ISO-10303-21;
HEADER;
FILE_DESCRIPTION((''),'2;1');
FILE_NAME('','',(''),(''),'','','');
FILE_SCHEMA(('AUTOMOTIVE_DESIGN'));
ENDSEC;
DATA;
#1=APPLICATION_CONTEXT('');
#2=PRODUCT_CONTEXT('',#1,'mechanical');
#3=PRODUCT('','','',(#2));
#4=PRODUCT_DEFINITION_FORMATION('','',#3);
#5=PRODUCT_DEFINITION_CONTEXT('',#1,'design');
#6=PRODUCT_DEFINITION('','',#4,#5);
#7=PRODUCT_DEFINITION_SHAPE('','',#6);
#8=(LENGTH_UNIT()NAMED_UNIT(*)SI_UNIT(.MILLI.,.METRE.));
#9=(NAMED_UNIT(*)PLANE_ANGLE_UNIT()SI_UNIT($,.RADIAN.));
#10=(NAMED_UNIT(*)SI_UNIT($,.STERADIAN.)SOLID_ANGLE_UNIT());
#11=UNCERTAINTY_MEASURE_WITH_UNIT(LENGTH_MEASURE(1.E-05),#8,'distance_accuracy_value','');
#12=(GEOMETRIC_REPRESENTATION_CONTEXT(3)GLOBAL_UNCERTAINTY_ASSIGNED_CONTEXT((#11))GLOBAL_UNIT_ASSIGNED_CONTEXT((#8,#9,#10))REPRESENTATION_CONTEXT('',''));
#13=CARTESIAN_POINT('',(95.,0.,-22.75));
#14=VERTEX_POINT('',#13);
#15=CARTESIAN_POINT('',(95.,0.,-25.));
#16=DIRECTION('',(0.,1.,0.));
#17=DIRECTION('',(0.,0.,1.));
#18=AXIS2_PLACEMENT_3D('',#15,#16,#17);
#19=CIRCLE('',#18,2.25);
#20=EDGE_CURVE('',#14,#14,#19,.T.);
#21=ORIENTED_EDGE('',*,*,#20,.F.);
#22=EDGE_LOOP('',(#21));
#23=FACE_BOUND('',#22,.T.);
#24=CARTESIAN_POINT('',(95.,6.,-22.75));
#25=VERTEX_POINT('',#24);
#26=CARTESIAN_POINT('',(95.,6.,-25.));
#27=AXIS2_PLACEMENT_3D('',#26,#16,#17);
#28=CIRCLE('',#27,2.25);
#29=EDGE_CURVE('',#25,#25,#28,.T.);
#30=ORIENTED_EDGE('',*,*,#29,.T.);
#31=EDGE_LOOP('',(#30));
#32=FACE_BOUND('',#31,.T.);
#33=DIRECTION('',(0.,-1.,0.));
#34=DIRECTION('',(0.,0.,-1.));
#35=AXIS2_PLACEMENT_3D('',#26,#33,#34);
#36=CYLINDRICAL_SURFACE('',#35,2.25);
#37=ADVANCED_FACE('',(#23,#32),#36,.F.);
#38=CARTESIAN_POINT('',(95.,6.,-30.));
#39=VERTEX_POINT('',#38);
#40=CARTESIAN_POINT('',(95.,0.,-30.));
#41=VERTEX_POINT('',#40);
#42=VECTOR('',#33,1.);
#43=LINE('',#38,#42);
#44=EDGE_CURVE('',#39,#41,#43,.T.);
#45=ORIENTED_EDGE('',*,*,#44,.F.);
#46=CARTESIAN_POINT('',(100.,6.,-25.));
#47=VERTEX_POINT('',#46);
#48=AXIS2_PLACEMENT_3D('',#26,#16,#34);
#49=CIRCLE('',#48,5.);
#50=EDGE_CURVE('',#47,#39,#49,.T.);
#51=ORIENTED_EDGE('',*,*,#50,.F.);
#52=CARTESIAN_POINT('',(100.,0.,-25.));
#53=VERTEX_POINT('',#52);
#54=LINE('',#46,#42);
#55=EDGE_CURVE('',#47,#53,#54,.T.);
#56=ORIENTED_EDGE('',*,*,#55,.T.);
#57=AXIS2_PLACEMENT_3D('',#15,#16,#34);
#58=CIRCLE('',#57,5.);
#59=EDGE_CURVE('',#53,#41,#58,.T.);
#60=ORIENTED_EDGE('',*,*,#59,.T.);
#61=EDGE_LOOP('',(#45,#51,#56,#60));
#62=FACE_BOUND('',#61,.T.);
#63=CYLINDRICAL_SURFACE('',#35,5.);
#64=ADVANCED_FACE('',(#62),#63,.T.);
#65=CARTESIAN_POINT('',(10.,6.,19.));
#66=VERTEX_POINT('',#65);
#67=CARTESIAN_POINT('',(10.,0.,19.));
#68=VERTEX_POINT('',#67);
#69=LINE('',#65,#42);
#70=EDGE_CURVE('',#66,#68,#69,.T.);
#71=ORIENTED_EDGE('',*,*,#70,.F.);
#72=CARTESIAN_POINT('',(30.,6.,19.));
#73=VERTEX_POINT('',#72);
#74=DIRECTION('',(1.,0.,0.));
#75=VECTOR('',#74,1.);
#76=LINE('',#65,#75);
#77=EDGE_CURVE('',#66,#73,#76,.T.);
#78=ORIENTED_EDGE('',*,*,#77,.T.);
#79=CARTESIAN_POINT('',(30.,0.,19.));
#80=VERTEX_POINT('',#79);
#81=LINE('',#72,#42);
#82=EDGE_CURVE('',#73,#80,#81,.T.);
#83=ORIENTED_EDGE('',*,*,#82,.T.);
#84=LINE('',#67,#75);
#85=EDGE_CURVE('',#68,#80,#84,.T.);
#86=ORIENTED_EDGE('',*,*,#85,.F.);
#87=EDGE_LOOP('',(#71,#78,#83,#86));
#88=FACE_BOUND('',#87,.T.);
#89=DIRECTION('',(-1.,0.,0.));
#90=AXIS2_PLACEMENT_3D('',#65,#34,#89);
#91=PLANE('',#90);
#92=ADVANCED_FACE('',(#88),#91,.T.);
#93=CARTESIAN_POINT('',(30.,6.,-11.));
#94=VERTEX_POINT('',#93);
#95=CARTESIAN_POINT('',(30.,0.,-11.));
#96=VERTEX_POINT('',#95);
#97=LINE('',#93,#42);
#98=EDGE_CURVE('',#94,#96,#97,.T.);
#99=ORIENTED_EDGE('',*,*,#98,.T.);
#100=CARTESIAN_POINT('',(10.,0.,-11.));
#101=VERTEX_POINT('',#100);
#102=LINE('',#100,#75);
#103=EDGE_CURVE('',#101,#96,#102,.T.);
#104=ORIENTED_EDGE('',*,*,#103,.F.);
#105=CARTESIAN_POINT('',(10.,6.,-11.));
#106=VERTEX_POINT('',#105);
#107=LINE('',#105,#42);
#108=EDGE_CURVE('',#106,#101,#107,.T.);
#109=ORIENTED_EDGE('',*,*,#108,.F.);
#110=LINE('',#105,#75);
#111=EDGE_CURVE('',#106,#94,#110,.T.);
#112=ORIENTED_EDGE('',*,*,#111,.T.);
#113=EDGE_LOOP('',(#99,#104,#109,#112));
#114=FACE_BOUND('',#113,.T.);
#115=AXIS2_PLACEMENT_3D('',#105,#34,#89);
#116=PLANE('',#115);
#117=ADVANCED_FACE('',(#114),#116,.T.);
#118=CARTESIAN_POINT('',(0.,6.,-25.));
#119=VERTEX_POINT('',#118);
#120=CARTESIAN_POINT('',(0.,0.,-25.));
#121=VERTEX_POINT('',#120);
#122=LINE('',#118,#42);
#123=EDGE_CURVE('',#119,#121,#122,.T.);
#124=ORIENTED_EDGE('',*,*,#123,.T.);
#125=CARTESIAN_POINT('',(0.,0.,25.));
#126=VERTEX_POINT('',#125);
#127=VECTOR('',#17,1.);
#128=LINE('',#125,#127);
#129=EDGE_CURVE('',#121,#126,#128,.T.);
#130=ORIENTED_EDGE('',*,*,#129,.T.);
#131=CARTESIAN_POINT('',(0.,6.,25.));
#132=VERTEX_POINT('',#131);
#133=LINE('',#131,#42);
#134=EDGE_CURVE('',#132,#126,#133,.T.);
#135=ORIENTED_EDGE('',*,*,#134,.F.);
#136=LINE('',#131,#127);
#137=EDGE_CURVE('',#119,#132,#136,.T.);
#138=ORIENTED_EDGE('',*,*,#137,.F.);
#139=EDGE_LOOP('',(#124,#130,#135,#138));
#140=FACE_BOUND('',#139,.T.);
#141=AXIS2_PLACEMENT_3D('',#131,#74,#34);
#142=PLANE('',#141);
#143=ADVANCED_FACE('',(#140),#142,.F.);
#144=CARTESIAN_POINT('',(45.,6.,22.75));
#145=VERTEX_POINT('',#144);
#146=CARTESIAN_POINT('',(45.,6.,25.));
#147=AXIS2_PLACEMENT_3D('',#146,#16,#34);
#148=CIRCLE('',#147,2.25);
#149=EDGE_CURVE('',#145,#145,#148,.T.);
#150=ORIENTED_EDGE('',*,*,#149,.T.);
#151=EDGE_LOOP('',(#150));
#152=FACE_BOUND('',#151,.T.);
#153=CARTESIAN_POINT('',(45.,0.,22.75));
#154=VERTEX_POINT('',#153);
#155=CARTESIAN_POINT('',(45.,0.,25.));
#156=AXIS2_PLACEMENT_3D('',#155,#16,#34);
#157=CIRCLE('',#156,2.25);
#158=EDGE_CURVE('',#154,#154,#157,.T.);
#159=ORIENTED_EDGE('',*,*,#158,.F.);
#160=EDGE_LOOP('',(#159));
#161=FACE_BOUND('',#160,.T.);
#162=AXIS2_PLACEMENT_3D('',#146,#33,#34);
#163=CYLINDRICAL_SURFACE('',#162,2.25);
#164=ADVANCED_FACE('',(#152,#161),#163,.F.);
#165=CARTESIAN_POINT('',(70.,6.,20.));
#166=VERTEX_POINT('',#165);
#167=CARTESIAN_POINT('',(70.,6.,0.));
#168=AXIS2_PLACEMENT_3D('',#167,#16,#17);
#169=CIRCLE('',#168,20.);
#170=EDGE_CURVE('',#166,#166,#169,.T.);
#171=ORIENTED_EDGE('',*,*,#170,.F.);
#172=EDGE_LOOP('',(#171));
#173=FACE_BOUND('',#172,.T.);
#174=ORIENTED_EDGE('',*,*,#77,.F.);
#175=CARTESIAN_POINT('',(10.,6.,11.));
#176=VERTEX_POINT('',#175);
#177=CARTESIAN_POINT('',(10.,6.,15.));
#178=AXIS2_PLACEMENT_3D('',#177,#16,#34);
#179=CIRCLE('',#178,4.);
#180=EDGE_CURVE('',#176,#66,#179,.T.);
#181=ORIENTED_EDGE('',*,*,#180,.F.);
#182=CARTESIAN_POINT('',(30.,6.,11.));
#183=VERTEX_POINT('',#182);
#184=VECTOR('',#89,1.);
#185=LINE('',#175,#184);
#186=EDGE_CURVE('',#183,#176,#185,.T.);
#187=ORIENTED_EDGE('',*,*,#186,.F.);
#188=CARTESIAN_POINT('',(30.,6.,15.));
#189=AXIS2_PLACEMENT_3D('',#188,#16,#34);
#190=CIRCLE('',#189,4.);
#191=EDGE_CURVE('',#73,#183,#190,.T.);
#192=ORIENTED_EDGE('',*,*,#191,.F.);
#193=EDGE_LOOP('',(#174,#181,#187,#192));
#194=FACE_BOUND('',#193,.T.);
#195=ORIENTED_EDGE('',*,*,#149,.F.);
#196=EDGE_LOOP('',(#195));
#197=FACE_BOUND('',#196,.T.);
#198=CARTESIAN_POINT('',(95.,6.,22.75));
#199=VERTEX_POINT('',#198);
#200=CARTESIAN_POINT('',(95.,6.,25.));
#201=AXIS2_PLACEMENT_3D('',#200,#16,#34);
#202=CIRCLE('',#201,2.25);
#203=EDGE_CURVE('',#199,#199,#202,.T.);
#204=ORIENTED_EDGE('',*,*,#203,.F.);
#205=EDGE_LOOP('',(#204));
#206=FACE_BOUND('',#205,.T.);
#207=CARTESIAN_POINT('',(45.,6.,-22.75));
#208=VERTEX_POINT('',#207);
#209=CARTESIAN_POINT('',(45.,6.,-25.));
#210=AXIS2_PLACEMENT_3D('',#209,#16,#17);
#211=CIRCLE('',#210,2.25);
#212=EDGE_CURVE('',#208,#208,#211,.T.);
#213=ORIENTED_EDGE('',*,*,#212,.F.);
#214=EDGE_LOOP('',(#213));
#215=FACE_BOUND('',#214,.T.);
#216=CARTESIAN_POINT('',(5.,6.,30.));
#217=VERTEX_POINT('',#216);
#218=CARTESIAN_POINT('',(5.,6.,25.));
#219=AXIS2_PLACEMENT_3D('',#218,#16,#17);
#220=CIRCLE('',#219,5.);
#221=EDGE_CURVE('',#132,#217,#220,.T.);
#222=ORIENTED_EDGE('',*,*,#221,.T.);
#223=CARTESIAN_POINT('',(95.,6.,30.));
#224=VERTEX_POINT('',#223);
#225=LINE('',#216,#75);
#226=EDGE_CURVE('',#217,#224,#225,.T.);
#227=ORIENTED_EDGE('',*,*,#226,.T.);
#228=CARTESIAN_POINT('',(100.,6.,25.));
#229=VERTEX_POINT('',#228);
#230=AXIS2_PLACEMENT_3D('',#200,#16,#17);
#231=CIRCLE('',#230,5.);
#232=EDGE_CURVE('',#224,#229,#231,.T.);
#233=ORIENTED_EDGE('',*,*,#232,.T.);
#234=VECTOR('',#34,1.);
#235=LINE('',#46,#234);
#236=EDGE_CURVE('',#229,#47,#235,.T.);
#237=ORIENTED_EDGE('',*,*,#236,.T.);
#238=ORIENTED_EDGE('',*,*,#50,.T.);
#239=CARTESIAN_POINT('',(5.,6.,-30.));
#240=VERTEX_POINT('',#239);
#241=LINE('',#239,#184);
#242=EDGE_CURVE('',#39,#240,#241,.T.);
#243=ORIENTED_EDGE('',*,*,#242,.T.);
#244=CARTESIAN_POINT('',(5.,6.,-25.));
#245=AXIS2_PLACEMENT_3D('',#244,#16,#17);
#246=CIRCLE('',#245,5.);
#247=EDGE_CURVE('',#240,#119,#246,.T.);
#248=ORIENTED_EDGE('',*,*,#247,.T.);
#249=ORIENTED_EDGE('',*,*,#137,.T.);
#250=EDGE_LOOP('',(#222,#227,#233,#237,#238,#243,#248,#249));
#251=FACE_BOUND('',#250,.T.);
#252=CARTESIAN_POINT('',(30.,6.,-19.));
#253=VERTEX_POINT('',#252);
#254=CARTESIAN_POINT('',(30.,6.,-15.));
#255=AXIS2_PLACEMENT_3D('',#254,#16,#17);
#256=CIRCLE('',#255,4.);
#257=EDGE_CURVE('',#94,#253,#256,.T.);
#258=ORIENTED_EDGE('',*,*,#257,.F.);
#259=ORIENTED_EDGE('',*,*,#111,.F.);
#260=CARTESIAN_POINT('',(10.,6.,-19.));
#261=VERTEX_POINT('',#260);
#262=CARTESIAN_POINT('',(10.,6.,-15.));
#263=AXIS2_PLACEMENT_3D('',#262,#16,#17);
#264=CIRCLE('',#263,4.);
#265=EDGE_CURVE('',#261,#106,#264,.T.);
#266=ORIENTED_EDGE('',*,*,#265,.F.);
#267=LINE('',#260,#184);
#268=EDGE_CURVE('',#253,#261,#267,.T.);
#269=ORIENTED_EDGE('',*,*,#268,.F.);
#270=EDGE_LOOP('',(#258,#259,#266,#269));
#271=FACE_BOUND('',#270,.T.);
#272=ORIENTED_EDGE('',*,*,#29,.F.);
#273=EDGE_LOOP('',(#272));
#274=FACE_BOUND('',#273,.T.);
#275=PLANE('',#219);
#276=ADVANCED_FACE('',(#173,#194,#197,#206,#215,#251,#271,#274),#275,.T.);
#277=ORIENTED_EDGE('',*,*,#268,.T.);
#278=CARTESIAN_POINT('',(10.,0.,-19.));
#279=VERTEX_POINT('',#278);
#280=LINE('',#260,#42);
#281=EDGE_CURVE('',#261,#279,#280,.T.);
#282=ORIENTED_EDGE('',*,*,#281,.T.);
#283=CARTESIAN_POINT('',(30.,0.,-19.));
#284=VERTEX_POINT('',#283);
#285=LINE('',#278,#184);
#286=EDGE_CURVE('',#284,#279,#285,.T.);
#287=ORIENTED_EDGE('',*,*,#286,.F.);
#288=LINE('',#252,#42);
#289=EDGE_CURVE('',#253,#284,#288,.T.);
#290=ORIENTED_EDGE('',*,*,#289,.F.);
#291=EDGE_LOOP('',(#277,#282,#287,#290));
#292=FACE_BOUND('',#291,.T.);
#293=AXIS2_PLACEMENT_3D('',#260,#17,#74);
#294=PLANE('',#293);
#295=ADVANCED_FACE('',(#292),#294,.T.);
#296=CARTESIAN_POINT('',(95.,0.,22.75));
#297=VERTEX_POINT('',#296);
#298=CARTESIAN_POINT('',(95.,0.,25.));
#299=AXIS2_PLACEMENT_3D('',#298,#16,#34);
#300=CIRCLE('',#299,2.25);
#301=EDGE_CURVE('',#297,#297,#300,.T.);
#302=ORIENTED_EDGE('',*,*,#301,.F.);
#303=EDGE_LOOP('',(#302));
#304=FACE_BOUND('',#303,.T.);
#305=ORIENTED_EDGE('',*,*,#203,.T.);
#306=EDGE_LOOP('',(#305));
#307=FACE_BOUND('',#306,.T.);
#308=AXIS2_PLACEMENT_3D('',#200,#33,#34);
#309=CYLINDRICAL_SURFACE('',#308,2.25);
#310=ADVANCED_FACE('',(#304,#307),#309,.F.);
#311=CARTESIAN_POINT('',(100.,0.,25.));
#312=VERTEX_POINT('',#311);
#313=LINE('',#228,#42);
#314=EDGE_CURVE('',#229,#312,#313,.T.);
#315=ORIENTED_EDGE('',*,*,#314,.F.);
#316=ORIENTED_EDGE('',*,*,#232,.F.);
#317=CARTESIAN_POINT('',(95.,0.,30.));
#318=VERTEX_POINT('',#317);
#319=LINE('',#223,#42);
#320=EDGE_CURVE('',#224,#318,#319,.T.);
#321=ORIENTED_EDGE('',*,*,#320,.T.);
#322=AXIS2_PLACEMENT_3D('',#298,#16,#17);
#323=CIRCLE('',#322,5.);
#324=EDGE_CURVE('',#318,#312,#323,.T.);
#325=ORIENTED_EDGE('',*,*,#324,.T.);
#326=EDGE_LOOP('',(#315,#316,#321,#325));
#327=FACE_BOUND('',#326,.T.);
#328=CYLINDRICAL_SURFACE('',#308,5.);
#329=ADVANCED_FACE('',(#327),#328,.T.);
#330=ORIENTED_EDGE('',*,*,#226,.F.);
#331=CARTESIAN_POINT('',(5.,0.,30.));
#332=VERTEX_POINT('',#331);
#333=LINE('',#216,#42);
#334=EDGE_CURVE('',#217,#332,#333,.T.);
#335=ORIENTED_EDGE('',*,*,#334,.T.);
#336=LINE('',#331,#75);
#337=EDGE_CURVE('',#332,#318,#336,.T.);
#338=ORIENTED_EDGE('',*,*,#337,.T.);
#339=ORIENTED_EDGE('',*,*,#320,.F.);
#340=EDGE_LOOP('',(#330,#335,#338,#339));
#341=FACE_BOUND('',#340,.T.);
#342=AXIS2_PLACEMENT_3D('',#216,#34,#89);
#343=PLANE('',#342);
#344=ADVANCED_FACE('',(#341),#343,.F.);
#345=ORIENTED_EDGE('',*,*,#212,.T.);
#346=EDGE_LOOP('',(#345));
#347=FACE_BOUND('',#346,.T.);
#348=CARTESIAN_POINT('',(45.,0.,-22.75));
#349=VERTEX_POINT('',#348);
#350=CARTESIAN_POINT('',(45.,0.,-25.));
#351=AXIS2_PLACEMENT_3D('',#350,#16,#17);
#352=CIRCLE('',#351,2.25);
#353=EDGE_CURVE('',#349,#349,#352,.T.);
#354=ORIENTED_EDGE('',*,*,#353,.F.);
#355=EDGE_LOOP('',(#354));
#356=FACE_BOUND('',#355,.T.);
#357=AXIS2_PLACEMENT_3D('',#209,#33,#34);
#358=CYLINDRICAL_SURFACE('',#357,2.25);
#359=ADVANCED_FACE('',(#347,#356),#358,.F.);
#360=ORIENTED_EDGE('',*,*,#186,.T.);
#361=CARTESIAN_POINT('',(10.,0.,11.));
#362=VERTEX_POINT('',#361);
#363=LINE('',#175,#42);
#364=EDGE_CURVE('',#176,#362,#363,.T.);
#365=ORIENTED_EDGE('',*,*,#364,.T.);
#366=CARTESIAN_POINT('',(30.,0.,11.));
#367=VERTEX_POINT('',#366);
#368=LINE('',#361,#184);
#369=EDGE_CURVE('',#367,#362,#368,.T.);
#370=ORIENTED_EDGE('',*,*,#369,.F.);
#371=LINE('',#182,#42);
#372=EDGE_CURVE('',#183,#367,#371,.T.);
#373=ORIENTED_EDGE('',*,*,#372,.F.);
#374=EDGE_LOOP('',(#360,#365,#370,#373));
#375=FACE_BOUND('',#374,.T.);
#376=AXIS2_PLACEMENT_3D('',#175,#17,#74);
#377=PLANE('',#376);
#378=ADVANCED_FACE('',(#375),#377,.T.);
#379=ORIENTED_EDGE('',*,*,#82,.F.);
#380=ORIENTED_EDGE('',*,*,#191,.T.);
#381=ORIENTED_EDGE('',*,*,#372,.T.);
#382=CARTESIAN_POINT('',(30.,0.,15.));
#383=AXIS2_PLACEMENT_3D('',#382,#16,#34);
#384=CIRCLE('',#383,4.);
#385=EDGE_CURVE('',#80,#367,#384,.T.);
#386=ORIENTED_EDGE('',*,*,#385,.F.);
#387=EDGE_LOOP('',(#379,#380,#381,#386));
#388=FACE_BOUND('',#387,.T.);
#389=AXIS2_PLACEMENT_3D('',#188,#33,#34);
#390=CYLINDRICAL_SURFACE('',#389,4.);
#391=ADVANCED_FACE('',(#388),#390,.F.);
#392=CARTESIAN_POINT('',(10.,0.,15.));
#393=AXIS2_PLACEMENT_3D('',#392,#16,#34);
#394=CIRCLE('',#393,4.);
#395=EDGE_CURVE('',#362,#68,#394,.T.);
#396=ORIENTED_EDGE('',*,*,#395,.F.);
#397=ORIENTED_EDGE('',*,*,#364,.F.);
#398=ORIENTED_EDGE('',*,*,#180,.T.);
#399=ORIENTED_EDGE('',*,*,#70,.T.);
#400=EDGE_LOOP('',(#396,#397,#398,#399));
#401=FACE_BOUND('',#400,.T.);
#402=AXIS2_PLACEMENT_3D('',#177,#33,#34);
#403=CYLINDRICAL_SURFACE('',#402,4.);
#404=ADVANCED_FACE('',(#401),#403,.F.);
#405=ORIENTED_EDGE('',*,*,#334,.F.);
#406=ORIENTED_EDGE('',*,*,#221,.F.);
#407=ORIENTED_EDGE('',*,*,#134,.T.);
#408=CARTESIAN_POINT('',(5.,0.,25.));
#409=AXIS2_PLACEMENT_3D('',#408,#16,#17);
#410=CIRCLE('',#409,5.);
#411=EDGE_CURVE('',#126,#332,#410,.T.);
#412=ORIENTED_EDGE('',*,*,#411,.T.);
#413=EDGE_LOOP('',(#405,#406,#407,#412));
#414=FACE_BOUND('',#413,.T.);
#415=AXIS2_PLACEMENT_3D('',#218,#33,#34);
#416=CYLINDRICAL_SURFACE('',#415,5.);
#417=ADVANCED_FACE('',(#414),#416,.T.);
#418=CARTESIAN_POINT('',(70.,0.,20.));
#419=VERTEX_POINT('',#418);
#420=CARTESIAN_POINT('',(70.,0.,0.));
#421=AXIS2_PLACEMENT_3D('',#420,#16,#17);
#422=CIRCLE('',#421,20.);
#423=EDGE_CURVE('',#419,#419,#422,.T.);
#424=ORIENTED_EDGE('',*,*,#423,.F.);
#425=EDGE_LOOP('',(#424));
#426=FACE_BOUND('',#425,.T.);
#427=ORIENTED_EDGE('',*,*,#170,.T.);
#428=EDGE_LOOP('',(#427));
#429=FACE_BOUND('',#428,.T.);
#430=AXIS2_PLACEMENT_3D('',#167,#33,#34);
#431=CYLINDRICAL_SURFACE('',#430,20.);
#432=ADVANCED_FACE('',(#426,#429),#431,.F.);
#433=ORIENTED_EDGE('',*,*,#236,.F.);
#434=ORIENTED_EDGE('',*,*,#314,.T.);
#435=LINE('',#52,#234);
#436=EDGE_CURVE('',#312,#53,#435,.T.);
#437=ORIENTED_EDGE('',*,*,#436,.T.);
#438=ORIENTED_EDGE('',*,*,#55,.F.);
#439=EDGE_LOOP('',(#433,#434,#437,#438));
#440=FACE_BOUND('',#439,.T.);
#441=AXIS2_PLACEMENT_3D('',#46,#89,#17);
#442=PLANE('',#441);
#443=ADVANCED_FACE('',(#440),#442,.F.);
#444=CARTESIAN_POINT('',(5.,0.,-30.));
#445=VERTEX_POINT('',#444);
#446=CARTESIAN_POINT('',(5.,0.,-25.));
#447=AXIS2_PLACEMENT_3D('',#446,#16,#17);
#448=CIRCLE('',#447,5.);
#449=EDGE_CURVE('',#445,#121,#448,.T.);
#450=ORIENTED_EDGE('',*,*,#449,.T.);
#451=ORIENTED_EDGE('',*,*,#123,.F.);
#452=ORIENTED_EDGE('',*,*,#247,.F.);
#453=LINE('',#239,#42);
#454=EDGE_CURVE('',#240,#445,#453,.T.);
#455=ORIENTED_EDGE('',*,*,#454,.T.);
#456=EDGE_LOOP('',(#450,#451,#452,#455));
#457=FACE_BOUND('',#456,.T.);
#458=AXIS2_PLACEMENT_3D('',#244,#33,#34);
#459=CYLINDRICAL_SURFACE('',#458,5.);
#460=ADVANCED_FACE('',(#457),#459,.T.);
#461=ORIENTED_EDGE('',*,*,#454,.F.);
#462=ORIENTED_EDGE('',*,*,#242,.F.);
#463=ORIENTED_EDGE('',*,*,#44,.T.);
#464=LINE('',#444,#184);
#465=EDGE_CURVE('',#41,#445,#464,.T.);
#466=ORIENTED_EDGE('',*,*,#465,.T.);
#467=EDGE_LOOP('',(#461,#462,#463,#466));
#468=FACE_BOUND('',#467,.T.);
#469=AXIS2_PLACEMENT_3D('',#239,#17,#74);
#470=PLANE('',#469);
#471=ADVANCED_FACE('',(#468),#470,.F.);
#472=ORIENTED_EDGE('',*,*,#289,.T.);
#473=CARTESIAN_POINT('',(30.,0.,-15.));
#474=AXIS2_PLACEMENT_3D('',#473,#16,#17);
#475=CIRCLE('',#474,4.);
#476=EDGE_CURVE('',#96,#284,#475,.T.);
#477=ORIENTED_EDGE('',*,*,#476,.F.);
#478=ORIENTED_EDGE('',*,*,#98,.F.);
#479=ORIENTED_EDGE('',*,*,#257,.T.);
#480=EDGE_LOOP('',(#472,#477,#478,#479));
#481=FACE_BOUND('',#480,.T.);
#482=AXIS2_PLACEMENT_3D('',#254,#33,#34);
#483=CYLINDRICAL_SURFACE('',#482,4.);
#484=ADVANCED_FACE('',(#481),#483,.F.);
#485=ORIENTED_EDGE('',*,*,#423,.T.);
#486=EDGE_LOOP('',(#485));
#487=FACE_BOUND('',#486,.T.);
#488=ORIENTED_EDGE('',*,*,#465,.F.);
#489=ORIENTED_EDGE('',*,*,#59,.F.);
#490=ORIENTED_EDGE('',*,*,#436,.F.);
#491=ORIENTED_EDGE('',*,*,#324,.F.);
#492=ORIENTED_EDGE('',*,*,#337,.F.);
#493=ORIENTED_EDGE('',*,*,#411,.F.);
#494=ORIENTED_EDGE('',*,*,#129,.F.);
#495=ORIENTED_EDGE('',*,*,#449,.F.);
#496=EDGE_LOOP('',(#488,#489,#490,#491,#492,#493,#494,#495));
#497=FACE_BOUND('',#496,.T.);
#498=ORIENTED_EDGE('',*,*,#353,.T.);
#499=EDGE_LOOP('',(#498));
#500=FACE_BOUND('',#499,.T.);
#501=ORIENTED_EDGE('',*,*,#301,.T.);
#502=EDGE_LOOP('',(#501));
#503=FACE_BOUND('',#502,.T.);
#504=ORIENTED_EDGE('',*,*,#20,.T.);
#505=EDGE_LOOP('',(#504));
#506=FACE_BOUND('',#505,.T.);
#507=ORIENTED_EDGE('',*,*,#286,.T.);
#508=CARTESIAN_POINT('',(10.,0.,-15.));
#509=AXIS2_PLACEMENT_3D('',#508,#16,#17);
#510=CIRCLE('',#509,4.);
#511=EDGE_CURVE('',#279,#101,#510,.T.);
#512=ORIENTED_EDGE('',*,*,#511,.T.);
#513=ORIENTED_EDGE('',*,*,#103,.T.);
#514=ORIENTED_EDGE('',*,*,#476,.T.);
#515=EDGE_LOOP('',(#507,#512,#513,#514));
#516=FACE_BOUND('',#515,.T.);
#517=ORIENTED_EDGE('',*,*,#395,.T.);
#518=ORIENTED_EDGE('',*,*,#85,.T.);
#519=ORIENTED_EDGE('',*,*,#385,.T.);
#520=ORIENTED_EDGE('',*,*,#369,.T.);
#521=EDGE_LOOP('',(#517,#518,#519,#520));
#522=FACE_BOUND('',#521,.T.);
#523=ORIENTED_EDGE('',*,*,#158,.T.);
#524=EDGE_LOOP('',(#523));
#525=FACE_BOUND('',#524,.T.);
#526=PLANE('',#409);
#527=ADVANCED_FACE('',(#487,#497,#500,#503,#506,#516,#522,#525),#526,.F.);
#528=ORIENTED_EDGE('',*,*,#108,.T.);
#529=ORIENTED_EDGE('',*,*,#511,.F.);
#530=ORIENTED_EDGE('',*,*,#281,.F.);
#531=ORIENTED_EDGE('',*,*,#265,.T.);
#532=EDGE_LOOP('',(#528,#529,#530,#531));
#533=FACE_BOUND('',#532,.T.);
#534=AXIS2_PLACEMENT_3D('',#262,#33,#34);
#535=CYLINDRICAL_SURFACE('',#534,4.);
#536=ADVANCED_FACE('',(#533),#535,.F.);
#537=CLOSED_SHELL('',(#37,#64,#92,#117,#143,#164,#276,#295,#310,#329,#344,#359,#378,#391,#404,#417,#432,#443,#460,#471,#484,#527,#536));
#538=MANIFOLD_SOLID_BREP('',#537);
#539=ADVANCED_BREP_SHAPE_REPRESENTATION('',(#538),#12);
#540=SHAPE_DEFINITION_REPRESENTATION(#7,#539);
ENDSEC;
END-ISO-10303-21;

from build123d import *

# Parameters (mm, degrees)
SKETCH1_R           = 2.25
SKETCH1_R_2         = 20
BOSS_EXTRUDE1_DEPTH = 6


with BuildPart() as part:
    # Sketch1 → Boss-Extrude1 (new body)
    with BuildSketch(Plane(origin=(0, 0, 0), x_dir=(1, 0, 0), z_dir=(0, 1, 0))):
        with BuildLine():
            Line((0, -25), (0, 25))
            ThreePointArc((0, 25), (1.464466094, 28.535533906), (5, 30))
            Line((5, 30), (95, 30))
            ThreePointArc((95, 30), (98.535533906, 28.535533906), (100, 25))
            Line((100, 25), (100, -25))
            ThreePointArc((100, -25), (98.535533906, -28.535533906), (95, -30))
            Line((95, -30), (5, -30))
            ThreePointArc((5, -30), (1.464466094, -28.535533906), (0, -25))
        make_face()
        with Locations(Location((95, 25, 0), (0, 0, 270))):
            Circle(SKETCH1_R, mode=Mode.SUBTRACT)
        with Locations(Location((45, 25, 0), (0, 0, 270))):
            Circle(SKETCH1_R, mode=Mode.SUBTRACT)
        with Locations(Location((45, -25, 0), (0, 0, 90))):
            Circle(SKETCH1_R, mode=Mode.SUBTRACT)
        with Locations(Location((95, -25, 0), (0, 0, 90))):
            Circle(SKETCH1_R, mode=Mode.SUBTRACT)
        with Locations(Location((70, 0, 0), (0, 0, 270))):
            Circle(SKETCH1_R_2, mode=Mode.SUBTRACT)
        with BuildLine():
            Line((10, 19), (30, 19))
            ThreePointArc((30, 19), (34, 15), (30, 11))
            Line((30, 11), (10, 11))
            ThreePointArc((10, 11), (6, 15), (10, 19))
        make_face(mode=Mode.SUBTRACT)
        with BuildLine():
            Line((10, -19), (30, -19))
            ThreePointArc((30, -19), (34, -15), (30, -11))
            Line((30, -11), (10, -11))
            ThreePointArc((10, -11), (6, -15), (10, -19))
        make_face(mode=Mode.SUBTRACT)
    extrude(amount=BOSS_EXTRUDE1_DEPTH)


solid = part.part
